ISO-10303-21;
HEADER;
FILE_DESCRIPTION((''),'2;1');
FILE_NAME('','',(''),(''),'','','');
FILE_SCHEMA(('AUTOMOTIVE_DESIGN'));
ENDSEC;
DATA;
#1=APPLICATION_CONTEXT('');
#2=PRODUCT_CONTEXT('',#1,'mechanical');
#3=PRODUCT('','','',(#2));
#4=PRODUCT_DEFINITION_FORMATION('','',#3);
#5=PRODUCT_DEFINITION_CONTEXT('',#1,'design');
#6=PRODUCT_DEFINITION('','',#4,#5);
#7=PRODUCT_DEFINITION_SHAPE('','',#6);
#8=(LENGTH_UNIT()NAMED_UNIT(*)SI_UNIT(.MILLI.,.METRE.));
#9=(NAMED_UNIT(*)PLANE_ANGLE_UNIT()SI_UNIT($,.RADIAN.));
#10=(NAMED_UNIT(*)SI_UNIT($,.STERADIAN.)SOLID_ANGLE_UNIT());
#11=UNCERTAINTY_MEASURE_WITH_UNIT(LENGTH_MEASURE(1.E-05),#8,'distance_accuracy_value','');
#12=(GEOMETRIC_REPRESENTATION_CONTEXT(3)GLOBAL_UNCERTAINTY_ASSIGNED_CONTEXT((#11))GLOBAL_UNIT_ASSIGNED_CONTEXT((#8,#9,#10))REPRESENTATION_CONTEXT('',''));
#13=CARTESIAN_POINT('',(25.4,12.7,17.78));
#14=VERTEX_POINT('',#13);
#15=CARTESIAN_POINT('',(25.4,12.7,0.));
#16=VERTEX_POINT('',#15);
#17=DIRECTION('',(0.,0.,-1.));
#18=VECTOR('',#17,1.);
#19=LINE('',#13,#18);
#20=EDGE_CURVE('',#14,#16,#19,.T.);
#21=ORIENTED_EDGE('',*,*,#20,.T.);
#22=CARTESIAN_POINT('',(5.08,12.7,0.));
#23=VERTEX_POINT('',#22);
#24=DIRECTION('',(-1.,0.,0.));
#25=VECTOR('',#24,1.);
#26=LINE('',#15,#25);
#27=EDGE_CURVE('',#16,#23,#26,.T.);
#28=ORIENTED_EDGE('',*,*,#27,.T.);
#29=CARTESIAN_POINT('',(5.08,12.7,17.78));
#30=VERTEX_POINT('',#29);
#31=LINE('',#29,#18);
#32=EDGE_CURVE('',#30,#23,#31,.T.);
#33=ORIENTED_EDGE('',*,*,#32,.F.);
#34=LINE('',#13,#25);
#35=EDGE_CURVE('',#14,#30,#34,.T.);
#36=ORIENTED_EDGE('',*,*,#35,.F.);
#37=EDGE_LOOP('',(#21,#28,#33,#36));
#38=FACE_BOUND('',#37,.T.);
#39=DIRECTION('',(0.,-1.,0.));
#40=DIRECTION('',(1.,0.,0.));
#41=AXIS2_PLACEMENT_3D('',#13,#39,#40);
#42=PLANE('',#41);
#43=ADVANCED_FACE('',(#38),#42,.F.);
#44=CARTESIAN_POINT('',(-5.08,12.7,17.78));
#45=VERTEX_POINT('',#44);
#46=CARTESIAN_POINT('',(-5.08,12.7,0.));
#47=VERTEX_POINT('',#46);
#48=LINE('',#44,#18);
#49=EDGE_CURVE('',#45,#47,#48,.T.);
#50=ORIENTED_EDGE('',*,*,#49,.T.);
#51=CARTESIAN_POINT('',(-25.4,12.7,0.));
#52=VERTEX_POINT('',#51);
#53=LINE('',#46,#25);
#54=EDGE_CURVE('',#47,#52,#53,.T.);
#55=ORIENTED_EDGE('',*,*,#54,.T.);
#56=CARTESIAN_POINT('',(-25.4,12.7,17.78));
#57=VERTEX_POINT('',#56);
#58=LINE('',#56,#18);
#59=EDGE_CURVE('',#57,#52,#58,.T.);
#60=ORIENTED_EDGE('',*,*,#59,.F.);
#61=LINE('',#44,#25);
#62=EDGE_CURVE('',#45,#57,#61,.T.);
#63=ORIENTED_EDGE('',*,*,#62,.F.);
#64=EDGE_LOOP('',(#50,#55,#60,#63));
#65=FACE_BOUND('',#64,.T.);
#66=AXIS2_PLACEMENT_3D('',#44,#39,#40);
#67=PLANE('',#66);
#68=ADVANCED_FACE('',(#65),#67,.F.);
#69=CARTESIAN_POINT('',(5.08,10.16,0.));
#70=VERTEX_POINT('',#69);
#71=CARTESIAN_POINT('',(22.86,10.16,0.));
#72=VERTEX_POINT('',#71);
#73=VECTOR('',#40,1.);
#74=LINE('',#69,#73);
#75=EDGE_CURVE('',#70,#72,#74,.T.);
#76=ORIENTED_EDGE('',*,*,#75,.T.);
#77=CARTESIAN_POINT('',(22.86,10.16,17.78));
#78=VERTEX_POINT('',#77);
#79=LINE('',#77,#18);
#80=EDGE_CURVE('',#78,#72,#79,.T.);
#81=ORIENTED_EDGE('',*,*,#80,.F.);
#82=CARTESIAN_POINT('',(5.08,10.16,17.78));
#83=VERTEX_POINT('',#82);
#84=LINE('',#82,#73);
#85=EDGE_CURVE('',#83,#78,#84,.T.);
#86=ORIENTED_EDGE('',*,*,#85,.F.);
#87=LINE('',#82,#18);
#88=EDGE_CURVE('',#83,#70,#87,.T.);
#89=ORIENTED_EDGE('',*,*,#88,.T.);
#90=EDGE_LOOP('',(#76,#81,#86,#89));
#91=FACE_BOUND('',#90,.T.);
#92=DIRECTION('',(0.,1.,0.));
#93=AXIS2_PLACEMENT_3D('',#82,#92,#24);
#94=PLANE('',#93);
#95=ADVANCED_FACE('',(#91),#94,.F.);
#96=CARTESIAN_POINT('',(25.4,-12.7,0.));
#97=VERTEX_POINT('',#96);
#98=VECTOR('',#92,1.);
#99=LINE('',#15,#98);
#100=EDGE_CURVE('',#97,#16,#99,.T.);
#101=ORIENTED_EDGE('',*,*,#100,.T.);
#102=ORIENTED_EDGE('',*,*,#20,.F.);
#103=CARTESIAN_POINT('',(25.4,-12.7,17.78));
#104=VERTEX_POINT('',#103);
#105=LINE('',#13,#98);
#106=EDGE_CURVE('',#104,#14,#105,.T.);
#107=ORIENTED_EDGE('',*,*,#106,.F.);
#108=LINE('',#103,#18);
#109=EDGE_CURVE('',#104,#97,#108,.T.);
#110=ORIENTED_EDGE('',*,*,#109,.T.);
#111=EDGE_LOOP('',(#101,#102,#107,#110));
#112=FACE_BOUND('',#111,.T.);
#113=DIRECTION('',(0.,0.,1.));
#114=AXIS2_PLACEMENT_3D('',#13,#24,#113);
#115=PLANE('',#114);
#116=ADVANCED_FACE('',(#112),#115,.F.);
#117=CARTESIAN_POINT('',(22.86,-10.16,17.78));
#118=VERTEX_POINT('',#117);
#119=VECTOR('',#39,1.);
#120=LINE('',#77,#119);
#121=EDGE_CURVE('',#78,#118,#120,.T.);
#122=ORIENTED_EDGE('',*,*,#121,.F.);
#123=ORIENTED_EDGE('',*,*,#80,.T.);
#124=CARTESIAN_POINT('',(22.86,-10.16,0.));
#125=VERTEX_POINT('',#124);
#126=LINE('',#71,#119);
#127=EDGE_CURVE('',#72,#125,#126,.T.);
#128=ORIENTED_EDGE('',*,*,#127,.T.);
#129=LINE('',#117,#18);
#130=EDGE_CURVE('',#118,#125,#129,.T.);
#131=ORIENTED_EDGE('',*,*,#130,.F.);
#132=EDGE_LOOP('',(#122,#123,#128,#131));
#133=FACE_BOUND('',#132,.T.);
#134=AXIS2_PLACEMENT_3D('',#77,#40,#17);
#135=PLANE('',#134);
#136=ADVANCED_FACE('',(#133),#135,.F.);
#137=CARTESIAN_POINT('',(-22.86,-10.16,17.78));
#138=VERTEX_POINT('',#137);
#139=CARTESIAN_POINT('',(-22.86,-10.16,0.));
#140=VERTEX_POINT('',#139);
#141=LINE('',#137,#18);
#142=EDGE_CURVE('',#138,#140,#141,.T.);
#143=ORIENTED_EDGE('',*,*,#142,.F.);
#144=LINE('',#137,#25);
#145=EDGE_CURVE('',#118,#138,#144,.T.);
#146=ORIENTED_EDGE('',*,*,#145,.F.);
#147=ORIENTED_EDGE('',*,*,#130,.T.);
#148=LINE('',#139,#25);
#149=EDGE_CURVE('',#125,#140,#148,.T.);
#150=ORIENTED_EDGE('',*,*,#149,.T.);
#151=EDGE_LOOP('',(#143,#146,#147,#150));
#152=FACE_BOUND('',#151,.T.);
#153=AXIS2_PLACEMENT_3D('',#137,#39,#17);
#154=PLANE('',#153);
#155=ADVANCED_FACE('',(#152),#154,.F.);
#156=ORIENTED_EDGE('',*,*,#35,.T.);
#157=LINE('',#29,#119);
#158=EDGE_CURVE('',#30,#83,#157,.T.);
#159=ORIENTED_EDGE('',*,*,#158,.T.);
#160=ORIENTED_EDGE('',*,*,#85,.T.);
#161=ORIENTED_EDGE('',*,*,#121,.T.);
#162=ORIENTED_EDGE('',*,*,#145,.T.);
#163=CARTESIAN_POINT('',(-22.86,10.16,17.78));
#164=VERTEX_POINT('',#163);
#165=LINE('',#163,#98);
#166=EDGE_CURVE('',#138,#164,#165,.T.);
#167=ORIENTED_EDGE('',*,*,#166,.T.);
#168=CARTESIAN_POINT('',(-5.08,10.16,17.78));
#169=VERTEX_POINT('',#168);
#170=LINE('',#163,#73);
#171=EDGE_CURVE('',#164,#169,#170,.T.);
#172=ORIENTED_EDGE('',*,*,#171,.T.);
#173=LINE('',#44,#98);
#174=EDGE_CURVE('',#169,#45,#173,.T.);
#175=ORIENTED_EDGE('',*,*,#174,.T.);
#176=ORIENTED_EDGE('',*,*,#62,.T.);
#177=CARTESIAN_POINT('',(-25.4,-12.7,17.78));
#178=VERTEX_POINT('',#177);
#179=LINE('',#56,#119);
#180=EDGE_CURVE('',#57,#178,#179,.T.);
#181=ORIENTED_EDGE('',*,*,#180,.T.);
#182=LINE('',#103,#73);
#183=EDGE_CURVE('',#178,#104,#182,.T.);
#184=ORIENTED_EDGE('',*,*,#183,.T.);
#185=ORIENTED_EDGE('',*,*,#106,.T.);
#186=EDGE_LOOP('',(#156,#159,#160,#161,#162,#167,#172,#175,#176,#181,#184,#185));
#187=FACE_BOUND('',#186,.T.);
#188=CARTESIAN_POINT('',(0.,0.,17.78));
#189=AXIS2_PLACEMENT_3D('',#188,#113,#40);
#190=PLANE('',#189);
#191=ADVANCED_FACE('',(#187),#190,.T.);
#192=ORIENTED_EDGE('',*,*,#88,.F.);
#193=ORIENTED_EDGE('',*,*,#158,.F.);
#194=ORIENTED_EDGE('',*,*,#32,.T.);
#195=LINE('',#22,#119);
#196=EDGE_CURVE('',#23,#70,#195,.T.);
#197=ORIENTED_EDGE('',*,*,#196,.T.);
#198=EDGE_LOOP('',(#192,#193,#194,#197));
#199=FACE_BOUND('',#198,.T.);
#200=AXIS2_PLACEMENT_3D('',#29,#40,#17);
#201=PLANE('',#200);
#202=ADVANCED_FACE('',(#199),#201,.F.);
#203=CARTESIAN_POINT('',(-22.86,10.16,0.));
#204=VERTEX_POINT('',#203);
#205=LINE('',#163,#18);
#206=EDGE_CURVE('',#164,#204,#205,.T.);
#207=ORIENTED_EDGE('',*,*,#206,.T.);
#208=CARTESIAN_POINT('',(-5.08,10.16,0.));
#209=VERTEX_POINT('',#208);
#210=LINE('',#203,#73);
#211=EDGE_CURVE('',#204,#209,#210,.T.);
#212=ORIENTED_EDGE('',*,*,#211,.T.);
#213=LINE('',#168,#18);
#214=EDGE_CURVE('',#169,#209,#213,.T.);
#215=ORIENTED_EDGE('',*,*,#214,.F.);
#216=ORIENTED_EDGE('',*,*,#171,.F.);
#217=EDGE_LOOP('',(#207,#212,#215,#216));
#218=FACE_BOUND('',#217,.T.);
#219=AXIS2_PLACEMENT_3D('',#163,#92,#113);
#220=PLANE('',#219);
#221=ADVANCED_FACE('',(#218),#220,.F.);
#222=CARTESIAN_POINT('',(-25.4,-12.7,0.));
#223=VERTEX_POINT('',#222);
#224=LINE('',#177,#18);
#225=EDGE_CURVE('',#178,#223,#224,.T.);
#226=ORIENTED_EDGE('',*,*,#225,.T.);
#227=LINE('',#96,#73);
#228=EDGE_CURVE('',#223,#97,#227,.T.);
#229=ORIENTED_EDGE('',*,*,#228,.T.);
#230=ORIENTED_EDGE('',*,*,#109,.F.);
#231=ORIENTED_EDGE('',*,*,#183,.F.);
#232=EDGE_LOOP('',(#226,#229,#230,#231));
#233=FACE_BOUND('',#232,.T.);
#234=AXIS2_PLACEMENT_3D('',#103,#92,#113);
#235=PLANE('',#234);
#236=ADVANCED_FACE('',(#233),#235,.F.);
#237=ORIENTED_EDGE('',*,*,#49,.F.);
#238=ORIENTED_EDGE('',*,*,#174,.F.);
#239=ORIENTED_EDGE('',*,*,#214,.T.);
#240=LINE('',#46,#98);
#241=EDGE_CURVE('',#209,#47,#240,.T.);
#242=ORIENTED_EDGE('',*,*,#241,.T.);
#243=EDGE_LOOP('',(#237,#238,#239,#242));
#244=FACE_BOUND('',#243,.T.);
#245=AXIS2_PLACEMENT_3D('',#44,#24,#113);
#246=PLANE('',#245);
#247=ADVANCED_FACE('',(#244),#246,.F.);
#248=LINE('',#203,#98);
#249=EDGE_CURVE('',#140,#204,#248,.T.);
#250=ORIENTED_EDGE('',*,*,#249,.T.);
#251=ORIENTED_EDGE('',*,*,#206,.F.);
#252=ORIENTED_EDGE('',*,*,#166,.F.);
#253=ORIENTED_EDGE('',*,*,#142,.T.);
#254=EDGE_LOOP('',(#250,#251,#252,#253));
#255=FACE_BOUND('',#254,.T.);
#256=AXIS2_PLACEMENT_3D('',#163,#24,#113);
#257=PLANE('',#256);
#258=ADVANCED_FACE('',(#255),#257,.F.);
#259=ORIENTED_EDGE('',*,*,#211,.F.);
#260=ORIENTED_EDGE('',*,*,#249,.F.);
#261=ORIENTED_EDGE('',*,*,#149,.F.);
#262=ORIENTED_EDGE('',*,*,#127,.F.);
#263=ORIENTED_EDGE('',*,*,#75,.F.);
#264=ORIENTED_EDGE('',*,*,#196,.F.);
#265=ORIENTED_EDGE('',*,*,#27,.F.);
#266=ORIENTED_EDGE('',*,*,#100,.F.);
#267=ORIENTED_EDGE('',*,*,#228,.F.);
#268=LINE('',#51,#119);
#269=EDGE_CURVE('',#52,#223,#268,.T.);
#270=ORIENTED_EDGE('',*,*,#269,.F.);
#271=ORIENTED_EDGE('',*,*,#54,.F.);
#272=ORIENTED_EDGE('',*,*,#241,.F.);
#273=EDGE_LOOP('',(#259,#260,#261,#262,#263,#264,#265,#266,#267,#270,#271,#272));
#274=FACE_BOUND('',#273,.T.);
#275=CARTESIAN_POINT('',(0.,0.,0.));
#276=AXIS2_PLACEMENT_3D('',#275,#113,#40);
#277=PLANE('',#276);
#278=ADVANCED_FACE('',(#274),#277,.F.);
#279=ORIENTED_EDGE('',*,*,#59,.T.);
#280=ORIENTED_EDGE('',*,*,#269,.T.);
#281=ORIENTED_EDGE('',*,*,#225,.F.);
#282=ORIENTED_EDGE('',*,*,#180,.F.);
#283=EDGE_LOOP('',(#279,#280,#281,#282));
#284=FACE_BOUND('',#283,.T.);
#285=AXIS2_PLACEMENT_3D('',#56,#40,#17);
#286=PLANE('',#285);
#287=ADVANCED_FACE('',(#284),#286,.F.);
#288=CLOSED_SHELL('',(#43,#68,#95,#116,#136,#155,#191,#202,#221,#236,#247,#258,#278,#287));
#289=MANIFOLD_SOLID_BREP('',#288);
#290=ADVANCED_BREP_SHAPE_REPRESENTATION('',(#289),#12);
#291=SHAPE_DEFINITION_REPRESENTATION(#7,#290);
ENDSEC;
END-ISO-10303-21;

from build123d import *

# Parameters (mm, degrees)
BOSS_EXTRUDE1_DEPTH = 17.78


with BuildPart() as part:
    # Sketch1 → Boss-Extrude1 (new body)
    with BuildSketch(Plane.XY):
        Polygon((-22.86, 10.16), (-5.08, 10.16), (-5.08, 12.7), (-25.4, 12.7), (-25.4, -12.7), (25.4, -12.7), (25.4, 12.7), (5.08, 12.7), (5.08, 10.16), (22.86, 10.16), (22.86, -10.16), (-22.86, -10.16), align=None)
    extrude(amount=BOSS_EXTRUDE1_DEPTH)


solid = part.part
